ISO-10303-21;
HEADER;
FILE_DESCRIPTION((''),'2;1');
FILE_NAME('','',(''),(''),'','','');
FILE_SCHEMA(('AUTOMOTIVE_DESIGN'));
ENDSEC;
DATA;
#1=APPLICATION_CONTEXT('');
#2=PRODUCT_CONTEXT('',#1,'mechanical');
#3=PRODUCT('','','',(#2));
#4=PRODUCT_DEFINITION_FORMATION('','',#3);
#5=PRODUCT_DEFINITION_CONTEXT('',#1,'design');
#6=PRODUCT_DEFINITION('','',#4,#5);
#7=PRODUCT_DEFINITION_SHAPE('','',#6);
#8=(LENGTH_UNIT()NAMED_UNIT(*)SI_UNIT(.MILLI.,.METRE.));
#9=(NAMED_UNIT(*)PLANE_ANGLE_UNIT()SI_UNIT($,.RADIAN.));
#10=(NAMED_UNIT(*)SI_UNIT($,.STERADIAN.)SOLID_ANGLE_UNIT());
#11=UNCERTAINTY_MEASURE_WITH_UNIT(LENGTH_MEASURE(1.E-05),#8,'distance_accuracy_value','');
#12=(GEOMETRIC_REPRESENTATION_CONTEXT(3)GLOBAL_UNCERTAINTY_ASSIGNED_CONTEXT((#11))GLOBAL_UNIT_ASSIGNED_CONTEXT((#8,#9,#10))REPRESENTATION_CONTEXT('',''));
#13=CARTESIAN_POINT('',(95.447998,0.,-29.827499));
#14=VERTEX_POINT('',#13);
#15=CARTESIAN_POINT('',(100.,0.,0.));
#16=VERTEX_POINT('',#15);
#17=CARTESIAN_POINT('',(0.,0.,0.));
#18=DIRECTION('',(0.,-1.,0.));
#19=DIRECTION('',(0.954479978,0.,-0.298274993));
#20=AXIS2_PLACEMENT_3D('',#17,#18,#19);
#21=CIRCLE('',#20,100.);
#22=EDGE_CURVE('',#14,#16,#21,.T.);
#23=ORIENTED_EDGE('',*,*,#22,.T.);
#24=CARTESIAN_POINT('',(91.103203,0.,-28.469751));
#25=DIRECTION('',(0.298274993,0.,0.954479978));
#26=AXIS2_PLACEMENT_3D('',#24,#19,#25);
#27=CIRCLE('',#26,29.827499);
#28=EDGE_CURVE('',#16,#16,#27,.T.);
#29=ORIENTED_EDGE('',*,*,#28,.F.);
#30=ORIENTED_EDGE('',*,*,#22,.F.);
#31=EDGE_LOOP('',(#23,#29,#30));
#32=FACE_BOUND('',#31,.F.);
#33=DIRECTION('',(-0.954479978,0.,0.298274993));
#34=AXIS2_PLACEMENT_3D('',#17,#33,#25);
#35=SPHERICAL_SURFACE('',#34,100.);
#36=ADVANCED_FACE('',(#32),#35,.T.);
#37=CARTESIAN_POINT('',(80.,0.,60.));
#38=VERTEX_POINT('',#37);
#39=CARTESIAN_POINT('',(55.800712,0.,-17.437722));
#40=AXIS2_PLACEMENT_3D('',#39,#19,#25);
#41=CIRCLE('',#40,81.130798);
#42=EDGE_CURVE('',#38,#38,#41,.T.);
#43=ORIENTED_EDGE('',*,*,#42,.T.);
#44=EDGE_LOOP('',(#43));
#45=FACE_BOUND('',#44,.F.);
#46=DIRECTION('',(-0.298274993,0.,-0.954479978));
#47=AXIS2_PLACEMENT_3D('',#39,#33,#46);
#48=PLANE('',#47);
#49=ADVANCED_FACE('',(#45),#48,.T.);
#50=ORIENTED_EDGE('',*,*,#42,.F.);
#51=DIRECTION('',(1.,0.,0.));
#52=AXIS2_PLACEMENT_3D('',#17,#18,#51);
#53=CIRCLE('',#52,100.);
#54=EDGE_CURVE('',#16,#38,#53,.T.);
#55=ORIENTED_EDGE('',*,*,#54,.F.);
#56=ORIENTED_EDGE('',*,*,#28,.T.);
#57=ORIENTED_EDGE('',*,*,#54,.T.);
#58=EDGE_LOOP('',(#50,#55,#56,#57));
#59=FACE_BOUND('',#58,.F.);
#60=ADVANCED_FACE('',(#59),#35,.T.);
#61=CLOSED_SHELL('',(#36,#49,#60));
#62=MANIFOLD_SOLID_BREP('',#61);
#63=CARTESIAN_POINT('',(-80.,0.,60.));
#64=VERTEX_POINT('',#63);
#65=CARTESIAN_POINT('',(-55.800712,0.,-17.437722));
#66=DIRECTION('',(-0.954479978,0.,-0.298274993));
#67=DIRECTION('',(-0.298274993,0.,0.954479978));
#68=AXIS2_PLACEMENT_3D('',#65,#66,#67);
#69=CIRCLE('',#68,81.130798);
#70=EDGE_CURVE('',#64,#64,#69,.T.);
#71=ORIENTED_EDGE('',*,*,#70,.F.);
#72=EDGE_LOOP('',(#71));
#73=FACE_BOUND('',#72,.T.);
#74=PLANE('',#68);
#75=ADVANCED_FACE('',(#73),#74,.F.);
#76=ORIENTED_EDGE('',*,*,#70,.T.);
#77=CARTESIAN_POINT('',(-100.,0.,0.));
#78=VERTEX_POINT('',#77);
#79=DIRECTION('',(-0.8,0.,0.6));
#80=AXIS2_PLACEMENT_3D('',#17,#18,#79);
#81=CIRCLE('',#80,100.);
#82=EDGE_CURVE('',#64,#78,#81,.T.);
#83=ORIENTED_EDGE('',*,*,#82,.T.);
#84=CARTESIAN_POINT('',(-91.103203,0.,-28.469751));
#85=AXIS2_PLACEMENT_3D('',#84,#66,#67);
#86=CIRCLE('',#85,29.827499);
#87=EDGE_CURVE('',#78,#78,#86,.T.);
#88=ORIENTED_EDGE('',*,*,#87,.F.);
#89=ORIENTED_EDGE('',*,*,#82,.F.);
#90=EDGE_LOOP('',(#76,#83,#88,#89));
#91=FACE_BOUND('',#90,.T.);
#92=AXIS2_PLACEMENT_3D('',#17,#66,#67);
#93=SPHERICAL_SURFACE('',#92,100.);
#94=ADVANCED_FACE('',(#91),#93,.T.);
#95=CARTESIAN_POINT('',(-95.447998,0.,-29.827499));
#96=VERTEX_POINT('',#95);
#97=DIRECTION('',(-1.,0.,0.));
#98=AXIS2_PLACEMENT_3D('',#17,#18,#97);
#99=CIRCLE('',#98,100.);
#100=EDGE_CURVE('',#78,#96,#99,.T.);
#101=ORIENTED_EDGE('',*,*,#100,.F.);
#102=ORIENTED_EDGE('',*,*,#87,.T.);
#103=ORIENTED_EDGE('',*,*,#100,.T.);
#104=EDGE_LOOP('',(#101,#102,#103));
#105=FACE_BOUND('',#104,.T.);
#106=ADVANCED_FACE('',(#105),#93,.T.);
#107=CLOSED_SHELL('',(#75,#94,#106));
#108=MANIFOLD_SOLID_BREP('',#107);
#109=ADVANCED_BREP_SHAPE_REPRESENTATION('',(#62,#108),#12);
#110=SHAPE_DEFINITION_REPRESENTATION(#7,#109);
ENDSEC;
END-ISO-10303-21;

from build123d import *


with BuildPart() as f1:
    # F0 (on Front) → F1 (revolve)
    with BuildSketch(Plane.XZ):
        with BuildLine():
            Line((-61.25, 0), (-80, 60))
            ThreePointArc((-80, 60), (-94.8683298051, 31.6227766017), (-100, 0))
            Line((-100, 0), (-61.25, 0))
        make_face()
        with BuildLine():
            Line((-55.8007117438, -17.4377224199), (-61.25, 0))
            Line((-61.25, 0), (-100, 0))
            ThreePointArc((-100, 0), (-98.8554494713, -15.0864213724), (-95.4479978035, -29.8274993136))
            Line((-95.4479978035, -29.8274993136), (-75.6243547736, -23.6326108668))
            Line((-75.6243547736, -23.6326108668), (-70.1179114143, -21.911847317))
            Line((-70.1179114143, -21.911847317), (-55.8007117438, -17.4377224199))
        make_face()
    revolve(axis=Axis((-75.6243547736, 0, -23.6326108668), (-0.954479978, 0, -0.2982749931)))


with BuildPart() as f2:
    # F0 (on Front) → F2 (revolve)
    with BuildSketch(Plane.XZ):
        with BuildLine():
            ThreePointArc((95.4479978035, -29.8274993136), (98.8554494713, -15.0864213724), (100, 0))
            Line((100, 0), (61.25, 0))
            Line((61.25, 0), (55.8007117438, -17.4377224199))
            Line((55.8007117438, -17.4377224199), (74.8903113045, -23.4032222826))
            Line((74.8903113045, -23.4032222826), (75.6243547736, -23.6326108668))
            Line((75.6243547736, -23.6326108668), (95.4479978035, -29.8274993136))
        make_face()
        with BuildLine():
            Line((61.25, 0), (100, 0))
            ThreePointArc((100, 0), (94.8683298051, 31.6227766017), (80, 60))
            Line((80, 60), (61.25, 0))
        make_face()
    revolve(axis=Axis((75.6243547736, 0, -23.6326108668), (0.954479978, 0, -0.2982749931)))


solid = Compound([f1.part, f2.part])
